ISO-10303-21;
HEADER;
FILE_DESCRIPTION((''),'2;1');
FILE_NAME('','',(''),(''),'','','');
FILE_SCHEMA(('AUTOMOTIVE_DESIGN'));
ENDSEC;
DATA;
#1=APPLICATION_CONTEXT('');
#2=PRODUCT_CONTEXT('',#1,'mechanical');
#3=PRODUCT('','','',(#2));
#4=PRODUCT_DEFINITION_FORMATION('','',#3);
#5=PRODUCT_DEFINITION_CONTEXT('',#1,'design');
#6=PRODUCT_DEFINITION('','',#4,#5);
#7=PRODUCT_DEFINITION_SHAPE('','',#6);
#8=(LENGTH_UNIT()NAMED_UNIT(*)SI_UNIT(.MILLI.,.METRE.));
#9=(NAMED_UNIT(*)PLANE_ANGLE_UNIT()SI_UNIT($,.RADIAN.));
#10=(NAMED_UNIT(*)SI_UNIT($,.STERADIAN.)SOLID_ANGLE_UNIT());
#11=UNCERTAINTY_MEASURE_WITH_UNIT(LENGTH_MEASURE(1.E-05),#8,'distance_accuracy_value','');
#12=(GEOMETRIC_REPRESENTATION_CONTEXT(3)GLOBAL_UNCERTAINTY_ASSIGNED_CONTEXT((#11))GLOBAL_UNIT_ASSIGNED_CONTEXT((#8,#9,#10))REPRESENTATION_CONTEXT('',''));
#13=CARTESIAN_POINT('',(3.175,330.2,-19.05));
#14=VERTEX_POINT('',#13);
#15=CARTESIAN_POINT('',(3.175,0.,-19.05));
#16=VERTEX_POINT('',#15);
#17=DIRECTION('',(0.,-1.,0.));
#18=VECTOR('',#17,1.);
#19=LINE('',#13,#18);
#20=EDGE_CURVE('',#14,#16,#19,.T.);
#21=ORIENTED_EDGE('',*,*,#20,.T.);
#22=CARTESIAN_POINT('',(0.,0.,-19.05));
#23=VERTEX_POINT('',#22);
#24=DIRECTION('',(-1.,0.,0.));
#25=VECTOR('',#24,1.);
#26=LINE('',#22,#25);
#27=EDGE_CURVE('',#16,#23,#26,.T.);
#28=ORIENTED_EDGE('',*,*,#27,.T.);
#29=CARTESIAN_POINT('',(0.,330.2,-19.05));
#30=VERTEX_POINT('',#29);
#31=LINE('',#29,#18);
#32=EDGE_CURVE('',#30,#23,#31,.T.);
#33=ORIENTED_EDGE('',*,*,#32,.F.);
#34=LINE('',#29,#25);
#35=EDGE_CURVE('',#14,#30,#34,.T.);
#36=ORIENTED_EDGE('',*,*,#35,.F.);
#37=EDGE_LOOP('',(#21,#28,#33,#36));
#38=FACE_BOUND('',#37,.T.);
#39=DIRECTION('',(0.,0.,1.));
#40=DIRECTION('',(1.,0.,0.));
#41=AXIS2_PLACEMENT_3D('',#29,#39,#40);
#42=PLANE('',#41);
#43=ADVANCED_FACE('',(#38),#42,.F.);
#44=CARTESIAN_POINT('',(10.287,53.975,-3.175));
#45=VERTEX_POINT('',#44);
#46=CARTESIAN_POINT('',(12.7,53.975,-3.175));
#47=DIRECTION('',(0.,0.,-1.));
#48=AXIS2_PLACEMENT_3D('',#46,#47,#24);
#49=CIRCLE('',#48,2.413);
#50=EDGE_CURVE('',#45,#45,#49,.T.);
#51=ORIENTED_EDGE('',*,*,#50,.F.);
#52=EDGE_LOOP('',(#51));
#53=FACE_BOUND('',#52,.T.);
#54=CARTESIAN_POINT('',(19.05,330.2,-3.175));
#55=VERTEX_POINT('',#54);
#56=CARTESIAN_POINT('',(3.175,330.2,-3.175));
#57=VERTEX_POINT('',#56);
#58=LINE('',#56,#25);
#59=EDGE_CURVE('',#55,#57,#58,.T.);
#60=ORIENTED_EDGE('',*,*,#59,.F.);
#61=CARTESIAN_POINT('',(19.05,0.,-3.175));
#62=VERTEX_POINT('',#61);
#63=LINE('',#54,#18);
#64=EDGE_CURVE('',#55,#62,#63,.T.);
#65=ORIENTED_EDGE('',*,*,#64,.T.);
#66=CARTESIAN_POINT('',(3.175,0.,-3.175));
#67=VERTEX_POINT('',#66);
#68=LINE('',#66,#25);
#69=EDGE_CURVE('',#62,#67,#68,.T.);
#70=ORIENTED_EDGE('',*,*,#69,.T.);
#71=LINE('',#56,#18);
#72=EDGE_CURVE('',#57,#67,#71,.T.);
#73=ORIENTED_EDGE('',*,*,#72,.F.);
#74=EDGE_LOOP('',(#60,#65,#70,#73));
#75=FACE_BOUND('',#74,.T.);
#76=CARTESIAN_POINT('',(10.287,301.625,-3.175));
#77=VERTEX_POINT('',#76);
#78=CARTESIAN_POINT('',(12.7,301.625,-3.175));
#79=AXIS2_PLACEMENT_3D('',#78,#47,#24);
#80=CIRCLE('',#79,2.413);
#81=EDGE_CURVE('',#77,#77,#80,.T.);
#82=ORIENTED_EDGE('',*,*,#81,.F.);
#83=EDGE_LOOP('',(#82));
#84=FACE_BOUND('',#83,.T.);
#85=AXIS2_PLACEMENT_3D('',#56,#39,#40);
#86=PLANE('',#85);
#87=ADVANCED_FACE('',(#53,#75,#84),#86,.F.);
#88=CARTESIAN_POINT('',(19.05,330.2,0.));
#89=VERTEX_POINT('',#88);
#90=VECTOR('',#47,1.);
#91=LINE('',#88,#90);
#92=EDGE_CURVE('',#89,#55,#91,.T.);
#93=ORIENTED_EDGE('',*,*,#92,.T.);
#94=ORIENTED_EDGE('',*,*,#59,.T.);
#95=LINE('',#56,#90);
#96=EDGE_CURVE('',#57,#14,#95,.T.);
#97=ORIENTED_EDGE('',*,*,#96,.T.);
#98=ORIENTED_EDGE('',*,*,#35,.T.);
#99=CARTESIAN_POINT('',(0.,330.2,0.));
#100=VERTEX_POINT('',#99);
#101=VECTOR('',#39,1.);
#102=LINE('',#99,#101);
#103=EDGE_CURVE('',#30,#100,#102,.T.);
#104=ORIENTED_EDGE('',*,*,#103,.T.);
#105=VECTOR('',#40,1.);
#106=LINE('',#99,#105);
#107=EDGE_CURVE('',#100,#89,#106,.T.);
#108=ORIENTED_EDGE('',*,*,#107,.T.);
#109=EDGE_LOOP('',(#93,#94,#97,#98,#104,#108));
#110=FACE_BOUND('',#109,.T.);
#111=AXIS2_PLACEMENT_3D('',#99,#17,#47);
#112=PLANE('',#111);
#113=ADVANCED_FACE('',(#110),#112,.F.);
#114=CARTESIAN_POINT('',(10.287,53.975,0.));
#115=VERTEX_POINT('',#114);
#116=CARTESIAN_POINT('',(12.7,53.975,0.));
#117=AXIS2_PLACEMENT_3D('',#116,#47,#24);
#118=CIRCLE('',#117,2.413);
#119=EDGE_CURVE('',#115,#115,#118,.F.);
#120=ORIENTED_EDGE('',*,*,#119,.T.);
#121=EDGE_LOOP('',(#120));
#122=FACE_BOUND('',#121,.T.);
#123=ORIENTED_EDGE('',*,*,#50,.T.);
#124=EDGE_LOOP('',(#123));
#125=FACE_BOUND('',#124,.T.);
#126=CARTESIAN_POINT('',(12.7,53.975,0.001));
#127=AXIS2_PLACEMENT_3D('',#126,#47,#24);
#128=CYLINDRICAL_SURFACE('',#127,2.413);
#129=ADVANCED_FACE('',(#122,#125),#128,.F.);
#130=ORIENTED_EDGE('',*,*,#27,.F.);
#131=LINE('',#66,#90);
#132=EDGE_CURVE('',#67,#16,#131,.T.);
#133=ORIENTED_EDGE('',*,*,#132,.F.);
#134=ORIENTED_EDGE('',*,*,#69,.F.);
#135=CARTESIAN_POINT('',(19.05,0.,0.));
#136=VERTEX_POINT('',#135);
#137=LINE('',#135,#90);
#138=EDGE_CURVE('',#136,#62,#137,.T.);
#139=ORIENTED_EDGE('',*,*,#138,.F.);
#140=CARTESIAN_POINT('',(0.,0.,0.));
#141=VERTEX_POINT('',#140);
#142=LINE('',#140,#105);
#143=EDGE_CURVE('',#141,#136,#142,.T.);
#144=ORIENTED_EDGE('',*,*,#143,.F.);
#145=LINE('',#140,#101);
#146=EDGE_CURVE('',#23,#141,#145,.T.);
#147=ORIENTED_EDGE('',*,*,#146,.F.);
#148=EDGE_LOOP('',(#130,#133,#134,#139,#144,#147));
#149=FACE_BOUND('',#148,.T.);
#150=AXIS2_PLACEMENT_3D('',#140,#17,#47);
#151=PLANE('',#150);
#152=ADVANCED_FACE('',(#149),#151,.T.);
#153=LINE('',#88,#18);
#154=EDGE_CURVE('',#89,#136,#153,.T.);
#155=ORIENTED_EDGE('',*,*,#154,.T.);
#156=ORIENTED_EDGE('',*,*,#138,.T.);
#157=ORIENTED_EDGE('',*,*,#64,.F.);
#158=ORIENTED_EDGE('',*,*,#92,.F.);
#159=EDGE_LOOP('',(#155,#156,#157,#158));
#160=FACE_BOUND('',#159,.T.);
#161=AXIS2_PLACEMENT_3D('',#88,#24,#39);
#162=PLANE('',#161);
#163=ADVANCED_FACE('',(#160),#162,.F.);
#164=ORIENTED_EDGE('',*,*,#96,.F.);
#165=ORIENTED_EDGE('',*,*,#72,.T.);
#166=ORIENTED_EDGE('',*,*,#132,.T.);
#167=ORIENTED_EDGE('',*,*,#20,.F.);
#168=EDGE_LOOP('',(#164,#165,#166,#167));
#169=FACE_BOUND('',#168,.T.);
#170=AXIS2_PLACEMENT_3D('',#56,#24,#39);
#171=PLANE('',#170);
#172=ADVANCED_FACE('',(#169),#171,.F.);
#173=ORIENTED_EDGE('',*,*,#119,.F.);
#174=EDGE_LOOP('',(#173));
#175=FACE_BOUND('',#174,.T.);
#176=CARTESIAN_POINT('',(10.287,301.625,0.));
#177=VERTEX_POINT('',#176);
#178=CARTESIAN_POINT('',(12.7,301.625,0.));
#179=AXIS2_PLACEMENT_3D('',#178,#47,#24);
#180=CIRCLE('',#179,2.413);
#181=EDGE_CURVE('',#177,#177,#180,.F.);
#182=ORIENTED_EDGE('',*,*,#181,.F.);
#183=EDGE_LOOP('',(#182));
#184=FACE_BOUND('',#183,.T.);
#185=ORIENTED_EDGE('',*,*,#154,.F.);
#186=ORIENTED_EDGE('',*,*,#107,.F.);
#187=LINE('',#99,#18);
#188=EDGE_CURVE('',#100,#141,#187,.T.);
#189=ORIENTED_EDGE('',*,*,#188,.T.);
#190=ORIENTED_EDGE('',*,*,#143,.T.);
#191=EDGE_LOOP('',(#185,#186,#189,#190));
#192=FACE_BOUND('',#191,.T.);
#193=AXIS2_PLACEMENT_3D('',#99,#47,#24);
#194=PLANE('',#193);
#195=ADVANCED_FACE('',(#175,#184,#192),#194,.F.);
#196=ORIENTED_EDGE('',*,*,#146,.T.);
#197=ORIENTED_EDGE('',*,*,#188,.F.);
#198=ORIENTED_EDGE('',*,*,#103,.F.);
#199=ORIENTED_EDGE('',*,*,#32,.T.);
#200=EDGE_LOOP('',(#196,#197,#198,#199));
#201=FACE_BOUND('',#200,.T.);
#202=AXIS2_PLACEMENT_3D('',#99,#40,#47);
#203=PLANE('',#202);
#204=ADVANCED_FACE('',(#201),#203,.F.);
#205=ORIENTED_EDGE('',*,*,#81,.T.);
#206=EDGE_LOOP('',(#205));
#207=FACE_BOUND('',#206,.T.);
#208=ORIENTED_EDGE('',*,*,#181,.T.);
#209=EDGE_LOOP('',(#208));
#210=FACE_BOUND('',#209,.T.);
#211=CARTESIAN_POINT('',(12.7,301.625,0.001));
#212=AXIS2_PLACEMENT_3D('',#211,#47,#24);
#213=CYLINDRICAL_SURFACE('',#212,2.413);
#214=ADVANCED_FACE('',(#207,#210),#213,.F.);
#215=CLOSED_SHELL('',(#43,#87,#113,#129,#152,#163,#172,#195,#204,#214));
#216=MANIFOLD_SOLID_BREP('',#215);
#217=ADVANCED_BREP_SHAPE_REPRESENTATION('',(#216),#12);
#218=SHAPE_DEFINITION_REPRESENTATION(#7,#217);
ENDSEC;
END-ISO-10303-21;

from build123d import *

# Parameters (mm, degrees)
BOSS_EXTRUDE1_DEPTH = 330.2
CUT_EXTRUDE1_REACH  = 333.13
SKETCH2_R           = 2.413


with BuildPart() as part:
    # Sketch1 → Boss-Extrude1 (new body)
    with BuildSketch(Plane(origin=(0, 0, 0), x_dir=(1, 0, 0), z_dir=(0, 1, 0))):
        Polygon((3.175, 3.175), (3.175, 19.05), (0, 19.05), (0, 0), (19.05, 0), (19.05, 3.175), align=None)
    extrude(amount=BOSS_EXTRUDE1_DEPTH)

    # Sketch2 → Cut-Extrude1 (cut, up to next)
    with BuildSketch(Plane(origin=(0, 0, -3.175), x_dir=(-1, 0, 0), z_dir=(0, 0, -1)), mode=Mode.PRIVATE) as cut_extrude1_sk1:
        with Locations((-12.7, 53.975)):
            Circle(SKETCH2_R)
    cut_extrude1_tool1 = extrude(cut_extrude1_sk1.sketch, amount=-CUT_EXTRUDE1_REACH, mode=Mode.PRIVATE) & part.part
    # Sketch2 → Cut-Extrude1 (cut, up to next)
    with BuildSketch(Plane(origin=(0, 0, -3.175), x_dir=(-1, 0, 0), z_dir=(0, 0, -1)), mode=Mode.PRIVATE) as cut_extrude1_sk2:
        with Locations((-12.7, 301.625)):
            Circle(SKETCH2_R)
    cut_extrude1_tool2 = extrude(cut_extrude1_sk2.sketch, amount=-CUT_EXTRUDE1_REACH, mode=Mode.PRIVATE) & part.part
    add(cut_extrude1_tool1.solids().sort_by_distance((12.7, 53.975, -3.175))[0], mode=Mode.SUBTRACT)
    add(cut_extrude1_tool2.solids().sort_by_distance((12.7, 301.625, -3.175))[0], mode=Mode.SUBTRACT)


solid = part.part
